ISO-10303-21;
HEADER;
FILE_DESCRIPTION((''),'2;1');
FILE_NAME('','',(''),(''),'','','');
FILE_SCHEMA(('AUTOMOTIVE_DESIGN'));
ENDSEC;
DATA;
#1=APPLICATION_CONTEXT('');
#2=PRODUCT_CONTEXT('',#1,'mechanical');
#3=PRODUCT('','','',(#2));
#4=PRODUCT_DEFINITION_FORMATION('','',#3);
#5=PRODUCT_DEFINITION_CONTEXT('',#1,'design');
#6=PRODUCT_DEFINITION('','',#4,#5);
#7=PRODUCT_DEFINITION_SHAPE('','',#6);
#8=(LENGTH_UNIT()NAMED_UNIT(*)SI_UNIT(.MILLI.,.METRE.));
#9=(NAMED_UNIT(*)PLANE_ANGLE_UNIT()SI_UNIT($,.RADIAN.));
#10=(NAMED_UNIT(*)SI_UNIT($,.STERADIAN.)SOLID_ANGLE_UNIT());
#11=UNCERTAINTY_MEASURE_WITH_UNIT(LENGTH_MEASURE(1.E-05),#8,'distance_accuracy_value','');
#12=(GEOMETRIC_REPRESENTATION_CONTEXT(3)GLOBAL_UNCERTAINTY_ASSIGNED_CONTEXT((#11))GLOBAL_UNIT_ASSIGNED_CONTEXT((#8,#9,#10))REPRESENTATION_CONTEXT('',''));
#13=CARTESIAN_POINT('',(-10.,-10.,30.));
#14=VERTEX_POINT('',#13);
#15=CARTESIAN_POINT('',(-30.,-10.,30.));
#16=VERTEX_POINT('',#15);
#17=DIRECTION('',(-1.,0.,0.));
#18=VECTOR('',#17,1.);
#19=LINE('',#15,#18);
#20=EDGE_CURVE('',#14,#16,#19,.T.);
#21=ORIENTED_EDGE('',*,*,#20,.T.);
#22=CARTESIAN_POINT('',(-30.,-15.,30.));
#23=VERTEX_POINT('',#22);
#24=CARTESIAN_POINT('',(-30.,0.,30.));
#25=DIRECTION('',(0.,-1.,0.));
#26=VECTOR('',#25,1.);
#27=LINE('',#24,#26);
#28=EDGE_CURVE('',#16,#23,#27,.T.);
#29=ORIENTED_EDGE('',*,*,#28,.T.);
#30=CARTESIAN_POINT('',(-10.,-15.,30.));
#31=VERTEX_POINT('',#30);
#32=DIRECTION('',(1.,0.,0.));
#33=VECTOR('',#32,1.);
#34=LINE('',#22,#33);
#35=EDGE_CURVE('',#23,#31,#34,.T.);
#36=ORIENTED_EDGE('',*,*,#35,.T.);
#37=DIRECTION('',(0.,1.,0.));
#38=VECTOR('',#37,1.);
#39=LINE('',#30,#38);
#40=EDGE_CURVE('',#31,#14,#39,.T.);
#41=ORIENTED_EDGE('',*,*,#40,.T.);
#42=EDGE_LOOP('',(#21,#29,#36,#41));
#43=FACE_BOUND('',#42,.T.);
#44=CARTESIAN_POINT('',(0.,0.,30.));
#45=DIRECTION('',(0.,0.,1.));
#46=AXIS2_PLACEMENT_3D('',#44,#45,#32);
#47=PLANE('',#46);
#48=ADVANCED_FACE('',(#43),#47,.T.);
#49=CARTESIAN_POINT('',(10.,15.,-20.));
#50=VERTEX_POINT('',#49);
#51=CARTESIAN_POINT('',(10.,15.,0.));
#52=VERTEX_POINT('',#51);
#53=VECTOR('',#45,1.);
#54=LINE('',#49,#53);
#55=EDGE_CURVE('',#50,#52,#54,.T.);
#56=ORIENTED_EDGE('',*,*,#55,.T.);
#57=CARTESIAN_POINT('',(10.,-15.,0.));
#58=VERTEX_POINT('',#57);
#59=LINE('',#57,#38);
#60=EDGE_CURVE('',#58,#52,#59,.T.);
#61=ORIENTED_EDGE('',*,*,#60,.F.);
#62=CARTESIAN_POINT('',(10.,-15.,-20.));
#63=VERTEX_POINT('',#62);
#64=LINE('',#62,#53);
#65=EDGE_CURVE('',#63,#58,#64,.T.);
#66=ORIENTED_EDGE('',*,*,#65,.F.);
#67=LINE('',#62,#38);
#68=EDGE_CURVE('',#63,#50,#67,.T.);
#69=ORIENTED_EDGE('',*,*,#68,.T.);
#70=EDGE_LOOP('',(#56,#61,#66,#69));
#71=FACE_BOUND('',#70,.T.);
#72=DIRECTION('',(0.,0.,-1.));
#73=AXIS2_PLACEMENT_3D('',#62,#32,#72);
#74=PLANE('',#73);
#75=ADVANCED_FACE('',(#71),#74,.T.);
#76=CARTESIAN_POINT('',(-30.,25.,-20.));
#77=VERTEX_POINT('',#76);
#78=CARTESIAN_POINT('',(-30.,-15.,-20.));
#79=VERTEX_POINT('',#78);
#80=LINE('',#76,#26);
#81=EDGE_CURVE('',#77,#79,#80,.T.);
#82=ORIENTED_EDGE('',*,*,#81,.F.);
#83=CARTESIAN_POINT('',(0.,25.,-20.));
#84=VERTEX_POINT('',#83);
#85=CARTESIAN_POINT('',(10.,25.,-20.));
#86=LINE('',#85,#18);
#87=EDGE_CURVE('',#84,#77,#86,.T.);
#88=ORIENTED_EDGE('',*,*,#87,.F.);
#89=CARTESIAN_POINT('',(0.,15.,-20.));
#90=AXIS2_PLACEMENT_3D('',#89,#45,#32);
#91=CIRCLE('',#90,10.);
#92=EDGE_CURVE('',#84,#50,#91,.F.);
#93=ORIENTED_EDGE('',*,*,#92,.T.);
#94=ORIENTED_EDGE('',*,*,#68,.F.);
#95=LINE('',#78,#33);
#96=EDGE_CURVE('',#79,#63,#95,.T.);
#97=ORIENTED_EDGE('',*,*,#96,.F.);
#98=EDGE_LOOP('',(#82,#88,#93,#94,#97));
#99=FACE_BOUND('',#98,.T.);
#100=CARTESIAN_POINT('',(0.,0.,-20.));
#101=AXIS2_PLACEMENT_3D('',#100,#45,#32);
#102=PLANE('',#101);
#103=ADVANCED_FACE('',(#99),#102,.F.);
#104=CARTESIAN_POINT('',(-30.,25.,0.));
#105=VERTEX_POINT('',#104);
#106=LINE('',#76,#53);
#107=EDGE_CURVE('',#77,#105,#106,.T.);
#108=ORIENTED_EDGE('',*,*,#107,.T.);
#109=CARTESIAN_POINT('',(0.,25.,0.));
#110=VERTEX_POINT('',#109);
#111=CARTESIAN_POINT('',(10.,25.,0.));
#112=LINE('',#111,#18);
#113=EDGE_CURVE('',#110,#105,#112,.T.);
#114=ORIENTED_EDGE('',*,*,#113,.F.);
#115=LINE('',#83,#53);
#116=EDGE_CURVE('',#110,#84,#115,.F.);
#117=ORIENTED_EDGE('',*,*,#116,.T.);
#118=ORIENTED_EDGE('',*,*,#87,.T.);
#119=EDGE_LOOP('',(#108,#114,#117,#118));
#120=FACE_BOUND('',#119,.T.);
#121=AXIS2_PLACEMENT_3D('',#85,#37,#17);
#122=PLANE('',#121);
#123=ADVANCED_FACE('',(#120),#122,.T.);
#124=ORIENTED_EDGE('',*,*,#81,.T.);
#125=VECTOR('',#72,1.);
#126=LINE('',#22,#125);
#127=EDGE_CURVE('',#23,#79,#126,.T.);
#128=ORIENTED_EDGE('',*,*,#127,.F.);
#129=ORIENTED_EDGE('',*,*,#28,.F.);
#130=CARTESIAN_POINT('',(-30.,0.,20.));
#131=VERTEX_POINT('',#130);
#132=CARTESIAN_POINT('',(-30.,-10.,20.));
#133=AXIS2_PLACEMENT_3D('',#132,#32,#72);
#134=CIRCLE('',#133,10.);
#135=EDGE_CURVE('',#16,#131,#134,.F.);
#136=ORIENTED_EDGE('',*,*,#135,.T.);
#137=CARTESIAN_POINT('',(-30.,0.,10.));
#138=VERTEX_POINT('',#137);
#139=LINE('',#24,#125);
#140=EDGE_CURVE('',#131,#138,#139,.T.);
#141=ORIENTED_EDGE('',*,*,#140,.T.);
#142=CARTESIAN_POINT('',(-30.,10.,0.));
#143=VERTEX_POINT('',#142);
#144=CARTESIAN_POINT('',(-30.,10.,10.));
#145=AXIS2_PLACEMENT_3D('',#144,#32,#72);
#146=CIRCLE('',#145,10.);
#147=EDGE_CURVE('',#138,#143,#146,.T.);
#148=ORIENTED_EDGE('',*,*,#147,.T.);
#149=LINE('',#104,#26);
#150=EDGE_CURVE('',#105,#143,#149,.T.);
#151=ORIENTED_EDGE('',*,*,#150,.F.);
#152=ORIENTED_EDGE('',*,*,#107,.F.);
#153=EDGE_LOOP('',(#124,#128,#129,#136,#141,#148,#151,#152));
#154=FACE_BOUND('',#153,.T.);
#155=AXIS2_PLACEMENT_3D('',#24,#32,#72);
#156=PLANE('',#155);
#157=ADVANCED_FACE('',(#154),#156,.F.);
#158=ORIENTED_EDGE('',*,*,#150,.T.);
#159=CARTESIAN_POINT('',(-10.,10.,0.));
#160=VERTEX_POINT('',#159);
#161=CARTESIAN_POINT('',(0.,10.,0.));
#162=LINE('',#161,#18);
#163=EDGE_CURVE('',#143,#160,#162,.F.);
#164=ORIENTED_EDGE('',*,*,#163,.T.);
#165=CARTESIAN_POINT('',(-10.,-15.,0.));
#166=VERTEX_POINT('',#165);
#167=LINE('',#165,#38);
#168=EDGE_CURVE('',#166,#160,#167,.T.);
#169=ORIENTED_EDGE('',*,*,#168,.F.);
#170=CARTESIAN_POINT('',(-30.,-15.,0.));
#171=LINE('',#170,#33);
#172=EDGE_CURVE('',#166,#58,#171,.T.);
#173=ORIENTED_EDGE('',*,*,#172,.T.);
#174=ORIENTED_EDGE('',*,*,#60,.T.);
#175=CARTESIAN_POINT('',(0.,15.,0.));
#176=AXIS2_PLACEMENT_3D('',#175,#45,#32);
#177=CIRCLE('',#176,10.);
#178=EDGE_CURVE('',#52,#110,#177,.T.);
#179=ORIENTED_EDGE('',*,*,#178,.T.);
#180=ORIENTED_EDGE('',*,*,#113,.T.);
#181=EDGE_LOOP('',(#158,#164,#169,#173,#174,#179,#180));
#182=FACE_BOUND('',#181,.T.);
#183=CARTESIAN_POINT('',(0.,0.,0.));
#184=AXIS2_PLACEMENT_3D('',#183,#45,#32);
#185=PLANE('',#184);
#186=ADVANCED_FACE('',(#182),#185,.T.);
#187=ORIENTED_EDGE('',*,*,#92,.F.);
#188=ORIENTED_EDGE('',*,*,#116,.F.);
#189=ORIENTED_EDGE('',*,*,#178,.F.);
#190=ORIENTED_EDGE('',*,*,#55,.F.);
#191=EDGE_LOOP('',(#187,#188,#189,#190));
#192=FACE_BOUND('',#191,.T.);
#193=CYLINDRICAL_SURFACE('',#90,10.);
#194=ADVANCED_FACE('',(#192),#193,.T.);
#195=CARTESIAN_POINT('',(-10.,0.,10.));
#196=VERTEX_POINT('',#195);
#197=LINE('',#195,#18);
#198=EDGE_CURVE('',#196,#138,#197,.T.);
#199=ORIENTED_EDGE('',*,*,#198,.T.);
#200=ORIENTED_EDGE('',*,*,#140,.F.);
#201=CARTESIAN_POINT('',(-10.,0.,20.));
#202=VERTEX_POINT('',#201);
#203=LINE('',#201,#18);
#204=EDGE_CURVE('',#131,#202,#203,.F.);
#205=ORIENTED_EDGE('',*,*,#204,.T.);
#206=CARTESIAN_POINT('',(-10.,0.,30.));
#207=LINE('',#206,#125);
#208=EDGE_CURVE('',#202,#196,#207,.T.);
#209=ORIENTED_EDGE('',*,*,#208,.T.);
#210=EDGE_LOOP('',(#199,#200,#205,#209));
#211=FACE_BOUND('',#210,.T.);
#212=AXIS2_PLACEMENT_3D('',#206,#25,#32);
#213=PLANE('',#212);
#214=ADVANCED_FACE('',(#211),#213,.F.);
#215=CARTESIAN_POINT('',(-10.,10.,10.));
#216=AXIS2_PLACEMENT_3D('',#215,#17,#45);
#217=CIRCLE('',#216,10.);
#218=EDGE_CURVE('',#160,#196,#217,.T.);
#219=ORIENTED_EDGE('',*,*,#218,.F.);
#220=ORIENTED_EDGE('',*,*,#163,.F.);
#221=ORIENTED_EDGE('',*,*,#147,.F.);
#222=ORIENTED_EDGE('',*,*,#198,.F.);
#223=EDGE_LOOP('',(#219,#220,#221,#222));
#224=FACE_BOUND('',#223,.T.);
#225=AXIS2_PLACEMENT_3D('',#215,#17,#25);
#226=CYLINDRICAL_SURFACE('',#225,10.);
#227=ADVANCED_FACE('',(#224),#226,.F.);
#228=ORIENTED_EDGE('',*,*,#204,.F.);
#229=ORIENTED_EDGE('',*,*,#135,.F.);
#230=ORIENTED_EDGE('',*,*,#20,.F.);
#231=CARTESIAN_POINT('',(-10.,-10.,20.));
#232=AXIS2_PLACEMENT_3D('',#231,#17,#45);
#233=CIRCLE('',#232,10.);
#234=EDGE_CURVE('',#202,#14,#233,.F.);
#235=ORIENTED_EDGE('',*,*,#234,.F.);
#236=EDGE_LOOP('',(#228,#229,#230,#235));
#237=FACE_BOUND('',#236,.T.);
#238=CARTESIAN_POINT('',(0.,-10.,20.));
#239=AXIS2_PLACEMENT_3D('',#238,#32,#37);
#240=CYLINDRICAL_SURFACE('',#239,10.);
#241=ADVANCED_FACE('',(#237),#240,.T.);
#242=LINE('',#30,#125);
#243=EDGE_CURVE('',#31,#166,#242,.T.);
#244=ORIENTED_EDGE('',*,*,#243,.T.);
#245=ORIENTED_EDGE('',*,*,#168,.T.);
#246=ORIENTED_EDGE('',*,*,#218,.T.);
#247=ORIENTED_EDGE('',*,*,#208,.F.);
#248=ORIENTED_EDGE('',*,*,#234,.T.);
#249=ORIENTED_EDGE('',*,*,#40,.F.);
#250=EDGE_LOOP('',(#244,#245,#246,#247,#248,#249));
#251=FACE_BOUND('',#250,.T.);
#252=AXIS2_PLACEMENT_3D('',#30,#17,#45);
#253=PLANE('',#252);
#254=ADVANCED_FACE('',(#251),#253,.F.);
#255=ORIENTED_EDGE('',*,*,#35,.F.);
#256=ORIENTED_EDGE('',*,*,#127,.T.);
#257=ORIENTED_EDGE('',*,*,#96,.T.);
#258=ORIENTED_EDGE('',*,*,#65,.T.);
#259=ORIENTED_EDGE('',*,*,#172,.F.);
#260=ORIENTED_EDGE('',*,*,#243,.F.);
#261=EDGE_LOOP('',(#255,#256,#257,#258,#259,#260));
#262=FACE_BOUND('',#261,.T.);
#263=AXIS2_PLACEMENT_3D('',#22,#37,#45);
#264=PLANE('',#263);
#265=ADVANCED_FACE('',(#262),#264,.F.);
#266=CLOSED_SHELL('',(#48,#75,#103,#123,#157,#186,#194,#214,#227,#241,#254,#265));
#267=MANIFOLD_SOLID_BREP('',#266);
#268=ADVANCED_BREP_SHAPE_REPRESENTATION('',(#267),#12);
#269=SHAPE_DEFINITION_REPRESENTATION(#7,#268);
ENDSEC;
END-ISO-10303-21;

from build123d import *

# Parameters (mm, degrees)
SKETCH1_W           = 20
SKETCH1_H           = 15
BOSS_EXTRUDE1_DEPTH = 30
SKETCH2_W           = 40
SKETCH2_H           = 40
BOSS_EXTRUDE2_DEPTH = 20
FILLET1_R           = 10


with BuildPart() as part:
    # Sketch1 → Boss-Extrude1 (new body)
    with BuildSketch(Plane.XY):
        with Locations((-20, -7.5)):
            Rectangle(SKETCH1_W, SKETCH1_H)
    extrude(amount=BOSS_EXTRUDE1_DEPTH)

    # Sketch2 → Boss-Extrude2 (add)
    with BuildSketch(Plane.XY):
        with Locations((-10, 5)):
            Rectangle(SKETCH2_W, SKETCH2_H)
    extrude(amount=-BOSS_EXTRUDE2_DEPTH)

    # Fillet1
    fillet1_edges = [part.edges().sort_by_distance(p)[0] for p in [
        (10, 25, -10),
        (-20, 0, 30),
        (-20, 0, 0),
    ]]
    fillet(fillet1_edges, radius=FILLET1_R)


solid = part.part
